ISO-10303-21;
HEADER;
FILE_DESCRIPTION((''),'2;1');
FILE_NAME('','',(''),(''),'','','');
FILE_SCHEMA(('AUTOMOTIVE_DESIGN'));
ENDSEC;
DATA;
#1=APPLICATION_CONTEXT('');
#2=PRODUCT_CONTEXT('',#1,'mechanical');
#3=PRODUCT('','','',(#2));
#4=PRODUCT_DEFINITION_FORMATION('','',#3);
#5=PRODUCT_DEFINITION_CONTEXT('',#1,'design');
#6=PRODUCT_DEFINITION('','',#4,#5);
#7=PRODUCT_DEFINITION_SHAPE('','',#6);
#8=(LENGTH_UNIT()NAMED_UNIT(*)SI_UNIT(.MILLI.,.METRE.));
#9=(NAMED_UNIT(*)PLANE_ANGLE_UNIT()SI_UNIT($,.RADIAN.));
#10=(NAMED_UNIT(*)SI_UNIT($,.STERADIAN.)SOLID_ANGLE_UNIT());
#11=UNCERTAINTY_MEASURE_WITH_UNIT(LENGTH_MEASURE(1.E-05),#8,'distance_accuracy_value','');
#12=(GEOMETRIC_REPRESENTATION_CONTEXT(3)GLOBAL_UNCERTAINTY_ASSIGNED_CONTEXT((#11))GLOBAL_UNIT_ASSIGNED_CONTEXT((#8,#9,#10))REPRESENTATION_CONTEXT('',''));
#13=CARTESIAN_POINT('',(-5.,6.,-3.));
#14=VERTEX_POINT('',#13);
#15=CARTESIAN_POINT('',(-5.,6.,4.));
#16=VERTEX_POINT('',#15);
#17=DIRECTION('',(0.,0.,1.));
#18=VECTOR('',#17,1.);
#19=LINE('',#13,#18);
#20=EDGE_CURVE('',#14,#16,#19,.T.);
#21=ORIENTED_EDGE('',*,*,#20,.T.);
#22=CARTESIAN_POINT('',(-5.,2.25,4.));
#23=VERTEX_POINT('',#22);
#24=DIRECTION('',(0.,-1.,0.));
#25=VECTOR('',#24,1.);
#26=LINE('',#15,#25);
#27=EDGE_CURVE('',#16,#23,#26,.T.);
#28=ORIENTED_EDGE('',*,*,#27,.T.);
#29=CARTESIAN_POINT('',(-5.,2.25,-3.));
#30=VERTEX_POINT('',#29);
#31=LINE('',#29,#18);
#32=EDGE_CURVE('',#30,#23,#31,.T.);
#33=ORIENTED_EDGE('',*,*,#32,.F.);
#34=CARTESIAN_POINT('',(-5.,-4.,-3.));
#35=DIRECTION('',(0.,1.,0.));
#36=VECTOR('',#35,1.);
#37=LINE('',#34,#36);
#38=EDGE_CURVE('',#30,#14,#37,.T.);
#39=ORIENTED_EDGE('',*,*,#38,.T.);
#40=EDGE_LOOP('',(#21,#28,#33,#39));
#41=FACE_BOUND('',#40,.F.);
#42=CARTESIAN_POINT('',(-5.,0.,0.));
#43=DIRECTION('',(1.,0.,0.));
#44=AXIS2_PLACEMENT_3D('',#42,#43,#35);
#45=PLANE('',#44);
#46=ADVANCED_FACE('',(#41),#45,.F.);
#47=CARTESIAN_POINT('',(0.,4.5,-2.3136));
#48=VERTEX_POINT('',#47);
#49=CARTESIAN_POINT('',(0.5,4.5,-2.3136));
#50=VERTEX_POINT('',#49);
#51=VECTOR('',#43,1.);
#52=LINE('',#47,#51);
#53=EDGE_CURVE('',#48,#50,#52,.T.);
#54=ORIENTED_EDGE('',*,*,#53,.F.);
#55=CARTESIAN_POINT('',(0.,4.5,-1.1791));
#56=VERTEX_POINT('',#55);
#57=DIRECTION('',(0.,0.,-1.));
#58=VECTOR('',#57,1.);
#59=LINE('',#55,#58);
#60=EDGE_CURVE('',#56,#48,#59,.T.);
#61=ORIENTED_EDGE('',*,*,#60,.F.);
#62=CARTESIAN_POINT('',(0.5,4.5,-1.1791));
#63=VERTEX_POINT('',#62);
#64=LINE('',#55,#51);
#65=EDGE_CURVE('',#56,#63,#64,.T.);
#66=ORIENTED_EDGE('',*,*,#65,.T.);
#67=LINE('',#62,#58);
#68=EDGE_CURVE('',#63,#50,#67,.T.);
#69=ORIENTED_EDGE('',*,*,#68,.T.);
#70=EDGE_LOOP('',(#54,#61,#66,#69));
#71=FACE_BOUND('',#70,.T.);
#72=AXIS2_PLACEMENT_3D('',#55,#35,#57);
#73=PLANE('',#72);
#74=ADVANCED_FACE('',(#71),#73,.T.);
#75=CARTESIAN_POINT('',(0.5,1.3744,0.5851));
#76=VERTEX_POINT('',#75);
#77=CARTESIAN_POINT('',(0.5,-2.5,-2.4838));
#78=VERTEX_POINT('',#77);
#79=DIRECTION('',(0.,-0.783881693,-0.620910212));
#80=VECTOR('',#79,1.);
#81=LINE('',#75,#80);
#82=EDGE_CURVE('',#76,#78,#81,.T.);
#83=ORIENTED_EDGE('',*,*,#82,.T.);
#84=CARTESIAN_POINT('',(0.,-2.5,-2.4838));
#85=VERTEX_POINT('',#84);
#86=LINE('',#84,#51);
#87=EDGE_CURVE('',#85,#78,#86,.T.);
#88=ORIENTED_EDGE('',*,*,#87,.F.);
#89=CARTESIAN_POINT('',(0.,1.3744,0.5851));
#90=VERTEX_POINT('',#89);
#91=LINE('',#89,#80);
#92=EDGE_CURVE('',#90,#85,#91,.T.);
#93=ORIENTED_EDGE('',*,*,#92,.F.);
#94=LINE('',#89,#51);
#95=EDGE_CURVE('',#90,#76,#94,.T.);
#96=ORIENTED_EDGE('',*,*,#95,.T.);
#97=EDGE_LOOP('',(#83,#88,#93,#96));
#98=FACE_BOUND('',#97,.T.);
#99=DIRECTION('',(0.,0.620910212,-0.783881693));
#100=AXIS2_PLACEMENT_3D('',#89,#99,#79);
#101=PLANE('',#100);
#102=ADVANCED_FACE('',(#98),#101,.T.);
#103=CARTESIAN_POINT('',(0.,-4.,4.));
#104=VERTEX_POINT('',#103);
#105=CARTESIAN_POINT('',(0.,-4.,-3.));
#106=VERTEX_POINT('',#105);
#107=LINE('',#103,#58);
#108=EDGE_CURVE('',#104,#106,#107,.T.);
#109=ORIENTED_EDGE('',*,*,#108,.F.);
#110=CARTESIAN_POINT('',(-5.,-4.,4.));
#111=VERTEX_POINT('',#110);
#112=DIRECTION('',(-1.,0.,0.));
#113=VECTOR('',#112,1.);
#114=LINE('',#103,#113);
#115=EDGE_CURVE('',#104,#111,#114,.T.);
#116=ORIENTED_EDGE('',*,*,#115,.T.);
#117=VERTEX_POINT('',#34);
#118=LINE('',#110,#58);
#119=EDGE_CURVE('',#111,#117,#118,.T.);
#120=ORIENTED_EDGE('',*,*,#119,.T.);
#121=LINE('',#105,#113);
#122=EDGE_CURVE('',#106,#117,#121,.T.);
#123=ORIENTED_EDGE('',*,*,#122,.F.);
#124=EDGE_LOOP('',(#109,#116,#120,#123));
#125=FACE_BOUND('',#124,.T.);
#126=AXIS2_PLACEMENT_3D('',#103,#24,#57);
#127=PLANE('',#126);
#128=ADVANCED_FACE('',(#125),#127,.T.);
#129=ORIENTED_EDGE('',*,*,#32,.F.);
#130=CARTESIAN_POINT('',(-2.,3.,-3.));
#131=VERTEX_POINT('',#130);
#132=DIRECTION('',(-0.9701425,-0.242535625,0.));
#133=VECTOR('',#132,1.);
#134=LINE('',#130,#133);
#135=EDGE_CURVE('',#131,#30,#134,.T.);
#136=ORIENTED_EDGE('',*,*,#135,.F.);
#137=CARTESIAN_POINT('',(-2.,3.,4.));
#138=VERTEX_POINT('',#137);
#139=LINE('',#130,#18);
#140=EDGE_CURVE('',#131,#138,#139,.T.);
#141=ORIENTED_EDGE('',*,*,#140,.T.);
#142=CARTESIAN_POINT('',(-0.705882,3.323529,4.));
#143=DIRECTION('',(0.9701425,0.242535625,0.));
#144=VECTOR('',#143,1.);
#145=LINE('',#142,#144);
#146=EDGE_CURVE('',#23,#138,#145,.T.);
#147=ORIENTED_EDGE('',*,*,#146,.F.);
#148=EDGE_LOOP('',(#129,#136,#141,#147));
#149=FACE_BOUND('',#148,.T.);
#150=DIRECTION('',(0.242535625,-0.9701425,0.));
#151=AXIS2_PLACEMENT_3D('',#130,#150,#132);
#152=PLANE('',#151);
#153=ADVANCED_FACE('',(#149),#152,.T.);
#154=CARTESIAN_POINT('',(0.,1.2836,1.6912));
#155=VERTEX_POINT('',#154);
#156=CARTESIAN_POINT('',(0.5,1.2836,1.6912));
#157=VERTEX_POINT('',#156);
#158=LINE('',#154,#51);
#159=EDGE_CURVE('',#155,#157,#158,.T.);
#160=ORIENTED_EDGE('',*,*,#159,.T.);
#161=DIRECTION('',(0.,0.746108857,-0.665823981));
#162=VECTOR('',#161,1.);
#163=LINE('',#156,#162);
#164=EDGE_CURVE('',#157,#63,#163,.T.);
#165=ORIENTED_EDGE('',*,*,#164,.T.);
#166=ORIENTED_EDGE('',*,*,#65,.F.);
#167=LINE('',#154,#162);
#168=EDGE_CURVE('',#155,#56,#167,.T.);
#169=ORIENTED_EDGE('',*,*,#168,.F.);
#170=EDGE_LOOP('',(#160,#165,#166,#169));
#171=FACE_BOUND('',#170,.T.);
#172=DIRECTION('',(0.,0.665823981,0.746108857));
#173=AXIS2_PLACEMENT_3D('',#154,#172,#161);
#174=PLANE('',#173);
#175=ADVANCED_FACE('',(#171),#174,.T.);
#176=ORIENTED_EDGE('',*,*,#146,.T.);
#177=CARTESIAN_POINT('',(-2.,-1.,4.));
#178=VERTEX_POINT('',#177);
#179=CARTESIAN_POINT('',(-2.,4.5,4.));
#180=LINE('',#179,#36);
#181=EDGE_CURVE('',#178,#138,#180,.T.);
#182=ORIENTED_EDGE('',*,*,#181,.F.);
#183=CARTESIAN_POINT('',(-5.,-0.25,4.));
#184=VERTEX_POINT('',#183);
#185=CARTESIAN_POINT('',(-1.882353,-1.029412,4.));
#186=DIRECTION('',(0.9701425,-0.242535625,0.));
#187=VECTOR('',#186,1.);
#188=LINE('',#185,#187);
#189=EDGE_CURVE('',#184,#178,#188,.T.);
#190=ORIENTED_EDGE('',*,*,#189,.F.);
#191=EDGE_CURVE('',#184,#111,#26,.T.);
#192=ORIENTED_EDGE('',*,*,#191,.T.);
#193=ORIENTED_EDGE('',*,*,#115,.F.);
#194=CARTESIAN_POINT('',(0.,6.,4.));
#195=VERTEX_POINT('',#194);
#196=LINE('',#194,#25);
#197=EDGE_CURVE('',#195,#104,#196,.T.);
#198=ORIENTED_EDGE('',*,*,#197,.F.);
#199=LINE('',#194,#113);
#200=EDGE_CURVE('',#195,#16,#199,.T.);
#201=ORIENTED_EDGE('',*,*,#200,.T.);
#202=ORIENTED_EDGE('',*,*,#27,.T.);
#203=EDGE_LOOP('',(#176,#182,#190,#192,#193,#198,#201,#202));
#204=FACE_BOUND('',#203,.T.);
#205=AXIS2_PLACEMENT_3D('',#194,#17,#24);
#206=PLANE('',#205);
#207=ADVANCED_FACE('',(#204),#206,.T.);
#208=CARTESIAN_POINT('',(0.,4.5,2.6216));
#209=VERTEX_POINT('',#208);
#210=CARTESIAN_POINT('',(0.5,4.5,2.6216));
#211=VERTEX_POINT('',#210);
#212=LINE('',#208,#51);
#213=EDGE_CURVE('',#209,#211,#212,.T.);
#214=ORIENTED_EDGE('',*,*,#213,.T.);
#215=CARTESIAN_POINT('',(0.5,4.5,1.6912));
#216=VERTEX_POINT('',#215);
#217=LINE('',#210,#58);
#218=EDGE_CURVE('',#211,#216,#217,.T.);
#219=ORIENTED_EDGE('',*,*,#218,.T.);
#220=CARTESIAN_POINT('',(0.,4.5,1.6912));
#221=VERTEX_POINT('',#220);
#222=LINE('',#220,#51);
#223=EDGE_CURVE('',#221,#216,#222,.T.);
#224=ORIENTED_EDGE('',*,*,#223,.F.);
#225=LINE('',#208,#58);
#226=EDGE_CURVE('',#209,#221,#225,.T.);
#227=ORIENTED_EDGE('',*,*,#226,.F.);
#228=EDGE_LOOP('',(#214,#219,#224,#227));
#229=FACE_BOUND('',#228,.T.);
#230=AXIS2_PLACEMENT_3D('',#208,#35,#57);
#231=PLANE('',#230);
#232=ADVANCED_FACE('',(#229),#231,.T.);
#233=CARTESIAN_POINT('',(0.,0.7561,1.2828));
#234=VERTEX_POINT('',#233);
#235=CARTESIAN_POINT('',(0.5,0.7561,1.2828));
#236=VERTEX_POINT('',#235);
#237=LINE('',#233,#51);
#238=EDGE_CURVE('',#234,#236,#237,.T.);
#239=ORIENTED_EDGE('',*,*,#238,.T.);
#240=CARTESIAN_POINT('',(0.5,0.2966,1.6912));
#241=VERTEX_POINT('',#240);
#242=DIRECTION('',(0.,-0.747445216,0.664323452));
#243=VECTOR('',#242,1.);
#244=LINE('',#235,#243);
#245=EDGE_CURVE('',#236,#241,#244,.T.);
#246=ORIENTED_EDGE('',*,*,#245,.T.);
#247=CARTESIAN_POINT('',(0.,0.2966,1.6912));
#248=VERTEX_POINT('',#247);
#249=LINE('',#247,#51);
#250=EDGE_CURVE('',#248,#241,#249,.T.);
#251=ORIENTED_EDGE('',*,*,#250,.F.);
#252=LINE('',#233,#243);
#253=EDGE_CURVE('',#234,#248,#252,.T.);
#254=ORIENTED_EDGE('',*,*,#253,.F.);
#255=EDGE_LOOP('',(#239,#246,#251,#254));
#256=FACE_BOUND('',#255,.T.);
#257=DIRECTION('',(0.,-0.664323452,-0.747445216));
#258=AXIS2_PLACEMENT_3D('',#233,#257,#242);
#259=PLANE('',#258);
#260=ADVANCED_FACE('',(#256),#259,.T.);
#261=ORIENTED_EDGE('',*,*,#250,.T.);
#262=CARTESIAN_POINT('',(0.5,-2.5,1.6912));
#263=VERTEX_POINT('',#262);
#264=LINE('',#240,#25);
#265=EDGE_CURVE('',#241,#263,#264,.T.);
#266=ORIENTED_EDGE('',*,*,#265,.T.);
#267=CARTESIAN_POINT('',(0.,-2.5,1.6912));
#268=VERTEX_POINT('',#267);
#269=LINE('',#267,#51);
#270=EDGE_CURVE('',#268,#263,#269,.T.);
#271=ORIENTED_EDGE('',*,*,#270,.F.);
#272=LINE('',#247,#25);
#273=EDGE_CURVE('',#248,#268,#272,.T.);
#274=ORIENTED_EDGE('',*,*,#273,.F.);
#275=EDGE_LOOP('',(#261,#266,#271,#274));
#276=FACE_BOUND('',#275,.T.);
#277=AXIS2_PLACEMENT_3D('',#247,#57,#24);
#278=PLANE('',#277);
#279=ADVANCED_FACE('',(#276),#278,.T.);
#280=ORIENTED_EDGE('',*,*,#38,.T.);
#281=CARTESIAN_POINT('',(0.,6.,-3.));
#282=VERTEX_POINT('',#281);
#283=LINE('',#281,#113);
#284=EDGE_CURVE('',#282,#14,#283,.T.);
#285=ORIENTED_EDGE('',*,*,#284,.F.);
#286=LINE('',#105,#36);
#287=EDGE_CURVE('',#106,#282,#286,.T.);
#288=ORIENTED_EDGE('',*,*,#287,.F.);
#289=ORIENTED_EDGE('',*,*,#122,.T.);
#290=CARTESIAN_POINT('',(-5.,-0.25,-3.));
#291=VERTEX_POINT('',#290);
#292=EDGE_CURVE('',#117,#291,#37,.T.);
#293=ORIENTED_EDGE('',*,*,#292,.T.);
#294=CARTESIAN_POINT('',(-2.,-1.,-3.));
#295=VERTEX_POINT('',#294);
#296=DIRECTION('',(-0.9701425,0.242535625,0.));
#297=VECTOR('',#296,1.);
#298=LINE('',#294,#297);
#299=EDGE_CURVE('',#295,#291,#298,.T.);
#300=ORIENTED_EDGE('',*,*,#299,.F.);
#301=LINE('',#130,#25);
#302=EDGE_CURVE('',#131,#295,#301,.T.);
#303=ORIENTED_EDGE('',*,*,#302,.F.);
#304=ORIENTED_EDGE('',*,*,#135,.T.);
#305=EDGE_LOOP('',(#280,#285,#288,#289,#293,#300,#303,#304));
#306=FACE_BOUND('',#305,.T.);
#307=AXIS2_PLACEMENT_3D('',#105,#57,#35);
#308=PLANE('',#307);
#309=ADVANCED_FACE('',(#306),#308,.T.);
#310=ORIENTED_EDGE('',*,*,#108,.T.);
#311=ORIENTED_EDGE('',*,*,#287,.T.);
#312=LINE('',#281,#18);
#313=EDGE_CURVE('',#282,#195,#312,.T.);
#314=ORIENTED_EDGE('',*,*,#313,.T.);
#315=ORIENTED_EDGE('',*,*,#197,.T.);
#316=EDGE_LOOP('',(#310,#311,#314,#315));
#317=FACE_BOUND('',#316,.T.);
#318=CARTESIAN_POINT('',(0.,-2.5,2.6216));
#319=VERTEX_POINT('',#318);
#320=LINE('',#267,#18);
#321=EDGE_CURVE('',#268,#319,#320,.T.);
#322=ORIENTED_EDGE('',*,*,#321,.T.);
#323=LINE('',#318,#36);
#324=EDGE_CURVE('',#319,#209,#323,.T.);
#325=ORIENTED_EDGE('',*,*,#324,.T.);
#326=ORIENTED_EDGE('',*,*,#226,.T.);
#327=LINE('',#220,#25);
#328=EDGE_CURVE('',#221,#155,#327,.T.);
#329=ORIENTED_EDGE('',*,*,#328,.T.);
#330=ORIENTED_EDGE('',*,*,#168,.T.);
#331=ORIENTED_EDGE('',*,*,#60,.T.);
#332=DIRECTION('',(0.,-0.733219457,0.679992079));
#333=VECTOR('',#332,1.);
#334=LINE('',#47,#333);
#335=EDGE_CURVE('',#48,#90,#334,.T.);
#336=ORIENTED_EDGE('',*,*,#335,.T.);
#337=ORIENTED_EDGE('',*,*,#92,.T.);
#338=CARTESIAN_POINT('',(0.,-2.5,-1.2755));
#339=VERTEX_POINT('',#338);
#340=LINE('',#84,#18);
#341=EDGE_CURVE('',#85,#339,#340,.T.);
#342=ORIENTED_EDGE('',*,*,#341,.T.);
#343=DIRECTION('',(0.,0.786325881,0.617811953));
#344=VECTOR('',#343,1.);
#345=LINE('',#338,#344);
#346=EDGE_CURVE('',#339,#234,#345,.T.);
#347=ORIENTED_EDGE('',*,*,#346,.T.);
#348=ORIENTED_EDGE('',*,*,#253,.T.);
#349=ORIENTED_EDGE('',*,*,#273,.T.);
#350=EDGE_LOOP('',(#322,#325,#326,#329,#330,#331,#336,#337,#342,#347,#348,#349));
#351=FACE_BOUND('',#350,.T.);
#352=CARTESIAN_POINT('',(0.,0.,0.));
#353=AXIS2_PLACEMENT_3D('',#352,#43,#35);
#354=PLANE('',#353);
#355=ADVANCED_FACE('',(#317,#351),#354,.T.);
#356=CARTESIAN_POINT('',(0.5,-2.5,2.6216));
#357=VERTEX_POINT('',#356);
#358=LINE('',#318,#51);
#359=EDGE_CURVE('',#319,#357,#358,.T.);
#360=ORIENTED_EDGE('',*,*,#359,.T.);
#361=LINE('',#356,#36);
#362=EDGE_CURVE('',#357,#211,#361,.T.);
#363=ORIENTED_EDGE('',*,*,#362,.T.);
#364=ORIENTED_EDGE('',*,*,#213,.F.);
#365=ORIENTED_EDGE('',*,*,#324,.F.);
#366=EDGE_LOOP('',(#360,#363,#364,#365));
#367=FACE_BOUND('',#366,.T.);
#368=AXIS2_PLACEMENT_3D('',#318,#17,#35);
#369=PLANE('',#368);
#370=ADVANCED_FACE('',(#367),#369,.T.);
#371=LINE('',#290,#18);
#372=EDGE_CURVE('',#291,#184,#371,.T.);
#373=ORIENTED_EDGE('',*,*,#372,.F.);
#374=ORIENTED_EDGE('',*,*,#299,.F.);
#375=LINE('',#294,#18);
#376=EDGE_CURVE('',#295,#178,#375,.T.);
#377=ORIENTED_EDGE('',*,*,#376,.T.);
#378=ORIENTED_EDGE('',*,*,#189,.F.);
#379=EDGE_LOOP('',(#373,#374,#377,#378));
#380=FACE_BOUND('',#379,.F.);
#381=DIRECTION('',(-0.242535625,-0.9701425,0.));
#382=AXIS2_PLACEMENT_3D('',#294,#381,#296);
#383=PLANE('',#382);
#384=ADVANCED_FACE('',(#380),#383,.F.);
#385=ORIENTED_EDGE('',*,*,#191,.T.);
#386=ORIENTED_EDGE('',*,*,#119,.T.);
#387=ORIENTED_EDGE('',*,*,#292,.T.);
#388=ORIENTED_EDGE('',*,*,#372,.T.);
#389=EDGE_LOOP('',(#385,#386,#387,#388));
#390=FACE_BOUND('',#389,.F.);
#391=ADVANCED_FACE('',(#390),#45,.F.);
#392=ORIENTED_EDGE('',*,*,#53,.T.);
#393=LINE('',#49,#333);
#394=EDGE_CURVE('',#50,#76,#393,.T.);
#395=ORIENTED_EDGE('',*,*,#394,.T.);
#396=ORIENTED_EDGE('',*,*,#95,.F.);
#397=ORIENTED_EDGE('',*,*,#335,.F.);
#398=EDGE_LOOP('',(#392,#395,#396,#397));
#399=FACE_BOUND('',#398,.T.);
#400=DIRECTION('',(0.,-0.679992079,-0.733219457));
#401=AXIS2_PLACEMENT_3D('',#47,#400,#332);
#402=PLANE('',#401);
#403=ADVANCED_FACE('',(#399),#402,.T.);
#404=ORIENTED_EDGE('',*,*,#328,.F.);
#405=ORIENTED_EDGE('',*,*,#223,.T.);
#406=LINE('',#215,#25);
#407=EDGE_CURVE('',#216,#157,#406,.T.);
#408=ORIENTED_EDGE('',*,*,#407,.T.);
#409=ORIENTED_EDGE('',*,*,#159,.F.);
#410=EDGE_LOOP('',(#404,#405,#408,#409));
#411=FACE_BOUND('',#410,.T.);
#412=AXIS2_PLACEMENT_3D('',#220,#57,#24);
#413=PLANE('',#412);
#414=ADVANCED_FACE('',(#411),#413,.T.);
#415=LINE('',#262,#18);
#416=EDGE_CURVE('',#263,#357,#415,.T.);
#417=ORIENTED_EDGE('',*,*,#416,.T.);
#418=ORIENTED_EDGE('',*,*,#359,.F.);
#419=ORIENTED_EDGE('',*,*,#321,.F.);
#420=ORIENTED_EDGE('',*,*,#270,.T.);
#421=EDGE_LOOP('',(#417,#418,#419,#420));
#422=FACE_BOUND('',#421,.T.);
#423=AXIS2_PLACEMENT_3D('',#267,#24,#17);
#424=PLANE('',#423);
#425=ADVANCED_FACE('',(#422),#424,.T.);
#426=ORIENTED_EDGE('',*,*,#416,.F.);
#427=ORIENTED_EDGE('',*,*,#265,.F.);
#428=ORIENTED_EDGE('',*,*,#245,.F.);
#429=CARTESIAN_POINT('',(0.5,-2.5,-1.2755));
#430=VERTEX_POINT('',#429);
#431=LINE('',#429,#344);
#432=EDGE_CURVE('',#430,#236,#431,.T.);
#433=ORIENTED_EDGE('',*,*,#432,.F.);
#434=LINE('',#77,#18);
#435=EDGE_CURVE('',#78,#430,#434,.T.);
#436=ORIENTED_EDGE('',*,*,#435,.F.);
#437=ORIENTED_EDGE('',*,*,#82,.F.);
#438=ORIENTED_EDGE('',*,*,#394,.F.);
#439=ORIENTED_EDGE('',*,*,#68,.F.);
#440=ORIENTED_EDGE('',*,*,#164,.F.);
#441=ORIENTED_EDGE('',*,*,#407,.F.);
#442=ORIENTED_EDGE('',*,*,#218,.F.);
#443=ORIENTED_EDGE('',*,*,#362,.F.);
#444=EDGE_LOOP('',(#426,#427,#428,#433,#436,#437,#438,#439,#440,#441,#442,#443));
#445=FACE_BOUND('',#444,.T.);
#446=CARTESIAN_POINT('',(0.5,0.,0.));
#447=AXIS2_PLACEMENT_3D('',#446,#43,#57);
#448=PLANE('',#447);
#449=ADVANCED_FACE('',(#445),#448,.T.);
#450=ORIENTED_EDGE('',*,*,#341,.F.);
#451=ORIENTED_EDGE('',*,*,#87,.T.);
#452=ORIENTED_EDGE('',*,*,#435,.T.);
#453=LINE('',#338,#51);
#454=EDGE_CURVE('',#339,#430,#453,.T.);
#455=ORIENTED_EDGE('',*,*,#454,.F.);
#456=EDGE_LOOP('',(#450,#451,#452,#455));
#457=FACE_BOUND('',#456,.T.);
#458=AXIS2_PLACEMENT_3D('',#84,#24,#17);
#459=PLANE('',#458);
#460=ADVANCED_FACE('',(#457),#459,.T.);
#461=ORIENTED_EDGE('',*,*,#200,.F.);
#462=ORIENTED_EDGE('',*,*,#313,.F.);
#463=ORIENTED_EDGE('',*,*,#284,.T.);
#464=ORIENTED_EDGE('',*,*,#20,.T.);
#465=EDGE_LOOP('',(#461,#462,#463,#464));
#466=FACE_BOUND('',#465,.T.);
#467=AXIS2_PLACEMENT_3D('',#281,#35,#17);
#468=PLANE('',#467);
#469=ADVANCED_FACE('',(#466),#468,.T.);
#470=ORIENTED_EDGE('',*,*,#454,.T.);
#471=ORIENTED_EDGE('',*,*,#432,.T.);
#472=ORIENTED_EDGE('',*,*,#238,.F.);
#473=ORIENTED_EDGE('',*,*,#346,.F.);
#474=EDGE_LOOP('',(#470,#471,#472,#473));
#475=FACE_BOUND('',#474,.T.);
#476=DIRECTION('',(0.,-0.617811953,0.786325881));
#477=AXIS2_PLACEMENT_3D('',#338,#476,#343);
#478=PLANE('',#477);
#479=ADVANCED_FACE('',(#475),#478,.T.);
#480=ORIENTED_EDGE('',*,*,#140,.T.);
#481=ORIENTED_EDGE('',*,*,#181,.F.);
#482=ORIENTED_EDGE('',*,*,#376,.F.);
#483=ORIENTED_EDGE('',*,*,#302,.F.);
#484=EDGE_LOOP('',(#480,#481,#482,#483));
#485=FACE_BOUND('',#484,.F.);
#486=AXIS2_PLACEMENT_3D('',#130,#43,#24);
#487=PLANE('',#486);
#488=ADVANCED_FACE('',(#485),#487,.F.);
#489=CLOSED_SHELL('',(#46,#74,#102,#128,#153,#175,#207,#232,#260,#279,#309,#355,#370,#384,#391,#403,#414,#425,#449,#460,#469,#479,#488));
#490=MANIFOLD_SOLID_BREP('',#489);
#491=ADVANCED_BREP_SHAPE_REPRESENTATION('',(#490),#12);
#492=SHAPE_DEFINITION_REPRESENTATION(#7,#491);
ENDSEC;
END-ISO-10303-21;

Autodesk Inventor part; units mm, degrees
ref_plane "YZ Plane" through (0, 0, 0) normal (1, 0, 0) x (0, 1, 0)
ref_plane "XZ Plane" through (0, 0, 0) normal (0, 1, 0) x (-1, 0, 0)
ref_plane "XY Plane" through (0, 0, 0) normal (0, 0, 1) x (1, 0, 0)
sketch "Szkic1" plane through (0, 0, 0) normal (1, 0, 0) x (0, 1, 0)
  line L0 (6, 4) -> (-4, 4)
  line L1 (-4, 4) -> (-4, -3)
  line L2 (-4, -3) -> (6, -3)
  line L3 (6, -3) -> (6, 4)
  point P0 (0, 0)
  dimension "d0" = 10
  dimension "d1" = 7
extrude "Wyciągnięcie proste1" add sketch "Szkic1" against normal blind 5
sketch "Szkic2" plane through (0, 0, 0) normal (1, 0, 0) x (0, 0, -1)
  line L0 (-4, -4) -> (3, -4) projected
  line L1 (3, -4) -> (3, 6) projected
  line L2 (3, 6) -> (-4, 6) projected
  line L3 (-4, 6) -> (-4, -4) projected
  line L4 (-4, 6) -> (3, 6) construction
  line L5 (3, 6) -> (3, -4) construction
  line L6 (3, -4) -> (-4, -4) construction
  line L7 (-4, -4) -> (-4, 6) construction
  line L8 (2.4838, -2.5) -> (1.2755, -2.5)
  line L9 (1.2755, -2.5) -> (-1.2828, 0.7561)
  line L10 (-1.2828, 0.7561) -> (-1.6912, 0.2966)
  line L11 (-1.6912, 0.2966) -> (-1.6912, -2.5)
  line L12 (-1.6912, -2.5) -> (-2.6216, -2.5)
  line L13 (-2.6216, -2.5) -> (-2.6216, 4.5)
  line L14 (-2.6216, 4.5) -> (-1.6912, 4.5)
  line L15 (-1.6912, 4.5) -> (-1.6912, 1.2836)
  line L16 (-1.6912, 1.2836) -> (1.1791, 4.5)
  line L17 (1.1791, 4.5) -> (2.3136, 4.5)
  line L18 (2.3136, 4.5) -> (-0.5851, 1.3744)
  line L19 (-0.5851, 1.3744) -> (2.4838, -2.5)
  point P0 (0, 0)
  point P1 (-0.5, 6)
  point P2 (-0.5, 6)
  point P3 (3, 1)
  point P4 (3, 1)
  dimension "d4" = 10
  dimension "d5" = 7
extrude "Wyciągnięcie proste2" add sketch "Szkic2" along normal blind 0.5 contours L8 L9 L10 L11 L12 L13 L14 L15 L16 L17 L18 L19
sketch "Szkic3" plane through (0, -4, -3) normal (0, 0, -1) x (-1, 0, 0)
  line L0 (2, 7) -> (2, 3)
  line L1 (2, 3) -> (5, 3.75)
  line L2 (2, 7) -> (5, 6.25)
  line L3 (5, 6.25) -> (5, 3.75)
  line L4 (5, 10) -> (5, 0) projected
  point P0 (0, 4)
  point P1 (5, 5)
  point P2 (5, 5)
  point P3 (2, 5)
  point P4 (5, 5)
  dimension "d8" = 4
  dimension "d12" = 3
  dimension "d13" = 2.5
extrude "Wyciągnięcie proste3" cut sketch "Szkic3" against normal blind 10
properties part number "literka"
